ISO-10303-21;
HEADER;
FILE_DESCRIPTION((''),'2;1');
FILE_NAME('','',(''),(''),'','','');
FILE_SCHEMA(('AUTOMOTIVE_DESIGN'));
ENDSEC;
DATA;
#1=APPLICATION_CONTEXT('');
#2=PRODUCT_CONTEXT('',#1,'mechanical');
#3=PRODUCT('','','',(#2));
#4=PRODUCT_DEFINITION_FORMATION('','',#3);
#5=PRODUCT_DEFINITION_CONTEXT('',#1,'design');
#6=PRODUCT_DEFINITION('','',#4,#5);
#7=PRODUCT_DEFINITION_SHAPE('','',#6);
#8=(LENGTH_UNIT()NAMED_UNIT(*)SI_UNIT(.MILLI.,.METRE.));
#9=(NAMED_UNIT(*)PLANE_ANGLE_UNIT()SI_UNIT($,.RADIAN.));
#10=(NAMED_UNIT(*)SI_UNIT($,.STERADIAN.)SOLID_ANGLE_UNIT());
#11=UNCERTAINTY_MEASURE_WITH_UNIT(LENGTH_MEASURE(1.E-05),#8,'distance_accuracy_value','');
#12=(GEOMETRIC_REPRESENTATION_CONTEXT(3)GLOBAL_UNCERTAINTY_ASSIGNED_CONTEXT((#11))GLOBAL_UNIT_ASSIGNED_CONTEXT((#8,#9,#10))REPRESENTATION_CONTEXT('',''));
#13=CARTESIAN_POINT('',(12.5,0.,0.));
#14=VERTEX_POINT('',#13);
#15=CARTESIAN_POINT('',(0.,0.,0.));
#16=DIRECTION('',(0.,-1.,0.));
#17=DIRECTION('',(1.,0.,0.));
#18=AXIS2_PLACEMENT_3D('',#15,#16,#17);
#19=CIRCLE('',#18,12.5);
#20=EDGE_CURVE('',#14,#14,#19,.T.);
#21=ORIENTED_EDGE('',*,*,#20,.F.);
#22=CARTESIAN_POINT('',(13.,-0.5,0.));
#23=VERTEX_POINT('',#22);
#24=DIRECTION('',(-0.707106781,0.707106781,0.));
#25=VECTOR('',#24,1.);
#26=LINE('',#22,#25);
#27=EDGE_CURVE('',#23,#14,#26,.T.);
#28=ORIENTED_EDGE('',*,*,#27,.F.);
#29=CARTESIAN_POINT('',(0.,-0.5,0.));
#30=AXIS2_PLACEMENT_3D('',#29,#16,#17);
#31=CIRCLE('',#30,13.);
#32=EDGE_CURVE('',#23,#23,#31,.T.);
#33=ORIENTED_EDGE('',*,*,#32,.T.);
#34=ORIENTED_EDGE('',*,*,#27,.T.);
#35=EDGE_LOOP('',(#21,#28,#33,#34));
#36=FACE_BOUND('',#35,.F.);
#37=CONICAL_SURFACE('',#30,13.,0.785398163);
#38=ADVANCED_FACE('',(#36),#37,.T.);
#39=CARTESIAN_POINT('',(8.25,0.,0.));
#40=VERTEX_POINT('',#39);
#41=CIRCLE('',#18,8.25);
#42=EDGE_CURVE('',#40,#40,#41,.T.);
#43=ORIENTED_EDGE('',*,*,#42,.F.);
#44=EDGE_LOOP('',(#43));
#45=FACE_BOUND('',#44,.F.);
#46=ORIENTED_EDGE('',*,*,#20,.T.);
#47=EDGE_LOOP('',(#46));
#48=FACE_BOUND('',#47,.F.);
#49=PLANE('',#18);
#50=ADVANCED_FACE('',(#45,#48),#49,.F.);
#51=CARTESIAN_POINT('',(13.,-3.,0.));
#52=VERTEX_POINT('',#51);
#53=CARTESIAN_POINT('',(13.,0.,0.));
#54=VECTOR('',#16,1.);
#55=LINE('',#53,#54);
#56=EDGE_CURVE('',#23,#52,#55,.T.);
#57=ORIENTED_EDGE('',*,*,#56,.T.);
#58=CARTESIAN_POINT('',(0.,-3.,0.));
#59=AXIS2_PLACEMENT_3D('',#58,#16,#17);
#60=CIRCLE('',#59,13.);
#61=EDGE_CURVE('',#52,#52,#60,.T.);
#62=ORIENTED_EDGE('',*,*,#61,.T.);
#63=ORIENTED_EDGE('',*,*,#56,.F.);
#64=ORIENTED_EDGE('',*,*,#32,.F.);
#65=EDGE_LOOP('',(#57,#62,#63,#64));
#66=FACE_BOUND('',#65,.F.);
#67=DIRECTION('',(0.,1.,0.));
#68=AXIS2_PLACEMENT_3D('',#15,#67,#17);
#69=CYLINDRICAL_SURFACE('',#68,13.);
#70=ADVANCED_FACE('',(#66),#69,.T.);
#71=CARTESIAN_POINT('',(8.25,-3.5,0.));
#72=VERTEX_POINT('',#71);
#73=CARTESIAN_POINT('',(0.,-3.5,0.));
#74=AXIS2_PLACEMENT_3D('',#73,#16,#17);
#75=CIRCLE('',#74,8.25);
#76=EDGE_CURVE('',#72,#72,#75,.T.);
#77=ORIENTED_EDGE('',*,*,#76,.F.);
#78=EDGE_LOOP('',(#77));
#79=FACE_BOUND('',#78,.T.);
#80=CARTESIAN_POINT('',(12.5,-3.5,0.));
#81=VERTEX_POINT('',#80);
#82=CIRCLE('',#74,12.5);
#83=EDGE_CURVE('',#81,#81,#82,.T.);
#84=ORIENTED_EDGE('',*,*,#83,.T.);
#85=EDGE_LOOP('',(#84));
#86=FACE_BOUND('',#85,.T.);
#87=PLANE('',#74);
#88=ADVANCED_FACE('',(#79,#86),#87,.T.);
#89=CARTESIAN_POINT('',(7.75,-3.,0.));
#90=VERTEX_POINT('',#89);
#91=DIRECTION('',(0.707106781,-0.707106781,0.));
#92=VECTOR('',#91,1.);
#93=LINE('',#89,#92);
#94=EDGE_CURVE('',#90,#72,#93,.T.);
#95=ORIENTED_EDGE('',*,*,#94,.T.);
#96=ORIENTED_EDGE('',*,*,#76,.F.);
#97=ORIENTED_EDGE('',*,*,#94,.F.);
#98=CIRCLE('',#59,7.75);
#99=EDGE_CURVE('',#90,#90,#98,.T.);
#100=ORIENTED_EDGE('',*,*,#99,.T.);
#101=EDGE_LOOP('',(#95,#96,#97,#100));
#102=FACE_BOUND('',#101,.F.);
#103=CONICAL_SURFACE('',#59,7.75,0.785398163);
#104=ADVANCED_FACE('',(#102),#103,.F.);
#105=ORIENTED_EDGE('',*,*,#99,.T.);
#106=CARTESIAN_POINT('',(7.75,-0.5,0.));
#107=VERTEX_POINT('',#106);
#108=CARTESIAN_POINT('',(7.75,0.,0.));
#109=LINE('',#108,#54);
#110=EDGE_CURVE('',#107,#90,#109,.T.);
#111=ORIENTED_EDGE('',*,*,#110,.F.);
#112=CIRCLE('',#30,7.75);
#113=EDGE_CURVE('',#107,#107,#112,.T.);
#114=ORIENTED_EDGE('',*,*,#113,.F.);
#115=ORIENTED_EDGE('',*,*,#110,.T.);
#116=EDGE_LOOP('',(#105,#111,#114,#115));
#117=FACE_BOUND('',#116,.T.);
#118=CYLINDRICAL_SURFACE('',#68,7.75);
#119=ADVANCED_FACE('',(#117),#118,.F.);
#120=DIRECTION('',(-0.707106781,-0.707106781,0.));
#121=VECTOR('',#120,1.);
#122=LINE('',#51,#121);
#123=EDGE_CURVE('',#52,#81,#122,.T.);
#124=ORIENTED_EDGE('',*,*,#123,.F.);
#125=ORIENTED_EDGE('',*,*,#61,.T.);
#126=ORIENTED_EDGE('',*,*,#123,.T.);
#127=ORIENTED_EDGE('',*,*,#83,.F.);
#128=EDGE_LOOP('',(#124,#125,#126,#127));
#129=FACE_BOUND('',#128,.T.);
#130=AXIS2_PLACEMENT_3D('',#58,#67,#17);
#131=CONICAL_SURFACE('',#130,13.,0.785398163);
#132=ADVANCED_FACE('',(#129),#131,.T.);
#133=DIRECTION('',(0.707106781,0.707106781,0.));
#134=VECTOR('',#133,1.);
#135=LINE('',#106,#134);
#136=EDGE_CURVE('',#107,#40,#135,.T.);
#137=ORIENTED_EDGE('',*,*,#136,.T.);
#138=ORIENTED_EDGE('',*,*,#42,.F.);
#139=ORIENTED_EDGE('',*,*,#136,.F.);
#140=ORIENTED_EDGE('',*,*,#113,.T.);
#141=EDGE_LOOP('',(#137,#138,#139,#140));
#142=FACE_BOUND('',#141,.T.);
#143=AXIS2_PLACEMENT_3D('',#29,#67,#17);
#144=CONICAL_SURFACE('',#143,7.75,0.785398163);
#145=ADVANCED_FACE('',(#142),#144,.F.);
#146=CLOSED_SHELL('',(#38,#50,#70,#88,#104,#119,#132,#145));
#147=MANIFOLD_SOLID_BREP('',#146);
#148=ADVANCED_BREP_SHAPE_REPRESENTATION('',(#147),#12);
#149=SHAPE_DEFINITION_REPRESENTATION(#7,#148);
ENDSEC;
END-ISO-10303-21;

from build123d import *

# Parameters (mm, degrees)
F0_R     = 13
F0_R_2   = 7.75
F1_DEPTH = 3.5
F2_SIZE2 = 0.5
F2_SIZE  = 0.5


with BuildPart() as f1:
    # F0 (on Front) → F1 (new body)
    with BuildSketch(Plane.XZ):
        Circle(F0_R)
        Circle(F0_R_2, mode=Mode.SUBTRACT)
    extrude(amount=F1_DEPTH)

    # F2
    f2_edges = [f1.edges().sort_by_distance(p)[0] for p in [
        (-13, -3.5, 0),
        (-7.75, -3.5, 0),
        (-13, 0, 0),
        (-7.75, 0, 0),
    ]]
    chamfer(f2_edges, length=F2_SIZE, length2=F2_SIZE2)


solid = f1.part
